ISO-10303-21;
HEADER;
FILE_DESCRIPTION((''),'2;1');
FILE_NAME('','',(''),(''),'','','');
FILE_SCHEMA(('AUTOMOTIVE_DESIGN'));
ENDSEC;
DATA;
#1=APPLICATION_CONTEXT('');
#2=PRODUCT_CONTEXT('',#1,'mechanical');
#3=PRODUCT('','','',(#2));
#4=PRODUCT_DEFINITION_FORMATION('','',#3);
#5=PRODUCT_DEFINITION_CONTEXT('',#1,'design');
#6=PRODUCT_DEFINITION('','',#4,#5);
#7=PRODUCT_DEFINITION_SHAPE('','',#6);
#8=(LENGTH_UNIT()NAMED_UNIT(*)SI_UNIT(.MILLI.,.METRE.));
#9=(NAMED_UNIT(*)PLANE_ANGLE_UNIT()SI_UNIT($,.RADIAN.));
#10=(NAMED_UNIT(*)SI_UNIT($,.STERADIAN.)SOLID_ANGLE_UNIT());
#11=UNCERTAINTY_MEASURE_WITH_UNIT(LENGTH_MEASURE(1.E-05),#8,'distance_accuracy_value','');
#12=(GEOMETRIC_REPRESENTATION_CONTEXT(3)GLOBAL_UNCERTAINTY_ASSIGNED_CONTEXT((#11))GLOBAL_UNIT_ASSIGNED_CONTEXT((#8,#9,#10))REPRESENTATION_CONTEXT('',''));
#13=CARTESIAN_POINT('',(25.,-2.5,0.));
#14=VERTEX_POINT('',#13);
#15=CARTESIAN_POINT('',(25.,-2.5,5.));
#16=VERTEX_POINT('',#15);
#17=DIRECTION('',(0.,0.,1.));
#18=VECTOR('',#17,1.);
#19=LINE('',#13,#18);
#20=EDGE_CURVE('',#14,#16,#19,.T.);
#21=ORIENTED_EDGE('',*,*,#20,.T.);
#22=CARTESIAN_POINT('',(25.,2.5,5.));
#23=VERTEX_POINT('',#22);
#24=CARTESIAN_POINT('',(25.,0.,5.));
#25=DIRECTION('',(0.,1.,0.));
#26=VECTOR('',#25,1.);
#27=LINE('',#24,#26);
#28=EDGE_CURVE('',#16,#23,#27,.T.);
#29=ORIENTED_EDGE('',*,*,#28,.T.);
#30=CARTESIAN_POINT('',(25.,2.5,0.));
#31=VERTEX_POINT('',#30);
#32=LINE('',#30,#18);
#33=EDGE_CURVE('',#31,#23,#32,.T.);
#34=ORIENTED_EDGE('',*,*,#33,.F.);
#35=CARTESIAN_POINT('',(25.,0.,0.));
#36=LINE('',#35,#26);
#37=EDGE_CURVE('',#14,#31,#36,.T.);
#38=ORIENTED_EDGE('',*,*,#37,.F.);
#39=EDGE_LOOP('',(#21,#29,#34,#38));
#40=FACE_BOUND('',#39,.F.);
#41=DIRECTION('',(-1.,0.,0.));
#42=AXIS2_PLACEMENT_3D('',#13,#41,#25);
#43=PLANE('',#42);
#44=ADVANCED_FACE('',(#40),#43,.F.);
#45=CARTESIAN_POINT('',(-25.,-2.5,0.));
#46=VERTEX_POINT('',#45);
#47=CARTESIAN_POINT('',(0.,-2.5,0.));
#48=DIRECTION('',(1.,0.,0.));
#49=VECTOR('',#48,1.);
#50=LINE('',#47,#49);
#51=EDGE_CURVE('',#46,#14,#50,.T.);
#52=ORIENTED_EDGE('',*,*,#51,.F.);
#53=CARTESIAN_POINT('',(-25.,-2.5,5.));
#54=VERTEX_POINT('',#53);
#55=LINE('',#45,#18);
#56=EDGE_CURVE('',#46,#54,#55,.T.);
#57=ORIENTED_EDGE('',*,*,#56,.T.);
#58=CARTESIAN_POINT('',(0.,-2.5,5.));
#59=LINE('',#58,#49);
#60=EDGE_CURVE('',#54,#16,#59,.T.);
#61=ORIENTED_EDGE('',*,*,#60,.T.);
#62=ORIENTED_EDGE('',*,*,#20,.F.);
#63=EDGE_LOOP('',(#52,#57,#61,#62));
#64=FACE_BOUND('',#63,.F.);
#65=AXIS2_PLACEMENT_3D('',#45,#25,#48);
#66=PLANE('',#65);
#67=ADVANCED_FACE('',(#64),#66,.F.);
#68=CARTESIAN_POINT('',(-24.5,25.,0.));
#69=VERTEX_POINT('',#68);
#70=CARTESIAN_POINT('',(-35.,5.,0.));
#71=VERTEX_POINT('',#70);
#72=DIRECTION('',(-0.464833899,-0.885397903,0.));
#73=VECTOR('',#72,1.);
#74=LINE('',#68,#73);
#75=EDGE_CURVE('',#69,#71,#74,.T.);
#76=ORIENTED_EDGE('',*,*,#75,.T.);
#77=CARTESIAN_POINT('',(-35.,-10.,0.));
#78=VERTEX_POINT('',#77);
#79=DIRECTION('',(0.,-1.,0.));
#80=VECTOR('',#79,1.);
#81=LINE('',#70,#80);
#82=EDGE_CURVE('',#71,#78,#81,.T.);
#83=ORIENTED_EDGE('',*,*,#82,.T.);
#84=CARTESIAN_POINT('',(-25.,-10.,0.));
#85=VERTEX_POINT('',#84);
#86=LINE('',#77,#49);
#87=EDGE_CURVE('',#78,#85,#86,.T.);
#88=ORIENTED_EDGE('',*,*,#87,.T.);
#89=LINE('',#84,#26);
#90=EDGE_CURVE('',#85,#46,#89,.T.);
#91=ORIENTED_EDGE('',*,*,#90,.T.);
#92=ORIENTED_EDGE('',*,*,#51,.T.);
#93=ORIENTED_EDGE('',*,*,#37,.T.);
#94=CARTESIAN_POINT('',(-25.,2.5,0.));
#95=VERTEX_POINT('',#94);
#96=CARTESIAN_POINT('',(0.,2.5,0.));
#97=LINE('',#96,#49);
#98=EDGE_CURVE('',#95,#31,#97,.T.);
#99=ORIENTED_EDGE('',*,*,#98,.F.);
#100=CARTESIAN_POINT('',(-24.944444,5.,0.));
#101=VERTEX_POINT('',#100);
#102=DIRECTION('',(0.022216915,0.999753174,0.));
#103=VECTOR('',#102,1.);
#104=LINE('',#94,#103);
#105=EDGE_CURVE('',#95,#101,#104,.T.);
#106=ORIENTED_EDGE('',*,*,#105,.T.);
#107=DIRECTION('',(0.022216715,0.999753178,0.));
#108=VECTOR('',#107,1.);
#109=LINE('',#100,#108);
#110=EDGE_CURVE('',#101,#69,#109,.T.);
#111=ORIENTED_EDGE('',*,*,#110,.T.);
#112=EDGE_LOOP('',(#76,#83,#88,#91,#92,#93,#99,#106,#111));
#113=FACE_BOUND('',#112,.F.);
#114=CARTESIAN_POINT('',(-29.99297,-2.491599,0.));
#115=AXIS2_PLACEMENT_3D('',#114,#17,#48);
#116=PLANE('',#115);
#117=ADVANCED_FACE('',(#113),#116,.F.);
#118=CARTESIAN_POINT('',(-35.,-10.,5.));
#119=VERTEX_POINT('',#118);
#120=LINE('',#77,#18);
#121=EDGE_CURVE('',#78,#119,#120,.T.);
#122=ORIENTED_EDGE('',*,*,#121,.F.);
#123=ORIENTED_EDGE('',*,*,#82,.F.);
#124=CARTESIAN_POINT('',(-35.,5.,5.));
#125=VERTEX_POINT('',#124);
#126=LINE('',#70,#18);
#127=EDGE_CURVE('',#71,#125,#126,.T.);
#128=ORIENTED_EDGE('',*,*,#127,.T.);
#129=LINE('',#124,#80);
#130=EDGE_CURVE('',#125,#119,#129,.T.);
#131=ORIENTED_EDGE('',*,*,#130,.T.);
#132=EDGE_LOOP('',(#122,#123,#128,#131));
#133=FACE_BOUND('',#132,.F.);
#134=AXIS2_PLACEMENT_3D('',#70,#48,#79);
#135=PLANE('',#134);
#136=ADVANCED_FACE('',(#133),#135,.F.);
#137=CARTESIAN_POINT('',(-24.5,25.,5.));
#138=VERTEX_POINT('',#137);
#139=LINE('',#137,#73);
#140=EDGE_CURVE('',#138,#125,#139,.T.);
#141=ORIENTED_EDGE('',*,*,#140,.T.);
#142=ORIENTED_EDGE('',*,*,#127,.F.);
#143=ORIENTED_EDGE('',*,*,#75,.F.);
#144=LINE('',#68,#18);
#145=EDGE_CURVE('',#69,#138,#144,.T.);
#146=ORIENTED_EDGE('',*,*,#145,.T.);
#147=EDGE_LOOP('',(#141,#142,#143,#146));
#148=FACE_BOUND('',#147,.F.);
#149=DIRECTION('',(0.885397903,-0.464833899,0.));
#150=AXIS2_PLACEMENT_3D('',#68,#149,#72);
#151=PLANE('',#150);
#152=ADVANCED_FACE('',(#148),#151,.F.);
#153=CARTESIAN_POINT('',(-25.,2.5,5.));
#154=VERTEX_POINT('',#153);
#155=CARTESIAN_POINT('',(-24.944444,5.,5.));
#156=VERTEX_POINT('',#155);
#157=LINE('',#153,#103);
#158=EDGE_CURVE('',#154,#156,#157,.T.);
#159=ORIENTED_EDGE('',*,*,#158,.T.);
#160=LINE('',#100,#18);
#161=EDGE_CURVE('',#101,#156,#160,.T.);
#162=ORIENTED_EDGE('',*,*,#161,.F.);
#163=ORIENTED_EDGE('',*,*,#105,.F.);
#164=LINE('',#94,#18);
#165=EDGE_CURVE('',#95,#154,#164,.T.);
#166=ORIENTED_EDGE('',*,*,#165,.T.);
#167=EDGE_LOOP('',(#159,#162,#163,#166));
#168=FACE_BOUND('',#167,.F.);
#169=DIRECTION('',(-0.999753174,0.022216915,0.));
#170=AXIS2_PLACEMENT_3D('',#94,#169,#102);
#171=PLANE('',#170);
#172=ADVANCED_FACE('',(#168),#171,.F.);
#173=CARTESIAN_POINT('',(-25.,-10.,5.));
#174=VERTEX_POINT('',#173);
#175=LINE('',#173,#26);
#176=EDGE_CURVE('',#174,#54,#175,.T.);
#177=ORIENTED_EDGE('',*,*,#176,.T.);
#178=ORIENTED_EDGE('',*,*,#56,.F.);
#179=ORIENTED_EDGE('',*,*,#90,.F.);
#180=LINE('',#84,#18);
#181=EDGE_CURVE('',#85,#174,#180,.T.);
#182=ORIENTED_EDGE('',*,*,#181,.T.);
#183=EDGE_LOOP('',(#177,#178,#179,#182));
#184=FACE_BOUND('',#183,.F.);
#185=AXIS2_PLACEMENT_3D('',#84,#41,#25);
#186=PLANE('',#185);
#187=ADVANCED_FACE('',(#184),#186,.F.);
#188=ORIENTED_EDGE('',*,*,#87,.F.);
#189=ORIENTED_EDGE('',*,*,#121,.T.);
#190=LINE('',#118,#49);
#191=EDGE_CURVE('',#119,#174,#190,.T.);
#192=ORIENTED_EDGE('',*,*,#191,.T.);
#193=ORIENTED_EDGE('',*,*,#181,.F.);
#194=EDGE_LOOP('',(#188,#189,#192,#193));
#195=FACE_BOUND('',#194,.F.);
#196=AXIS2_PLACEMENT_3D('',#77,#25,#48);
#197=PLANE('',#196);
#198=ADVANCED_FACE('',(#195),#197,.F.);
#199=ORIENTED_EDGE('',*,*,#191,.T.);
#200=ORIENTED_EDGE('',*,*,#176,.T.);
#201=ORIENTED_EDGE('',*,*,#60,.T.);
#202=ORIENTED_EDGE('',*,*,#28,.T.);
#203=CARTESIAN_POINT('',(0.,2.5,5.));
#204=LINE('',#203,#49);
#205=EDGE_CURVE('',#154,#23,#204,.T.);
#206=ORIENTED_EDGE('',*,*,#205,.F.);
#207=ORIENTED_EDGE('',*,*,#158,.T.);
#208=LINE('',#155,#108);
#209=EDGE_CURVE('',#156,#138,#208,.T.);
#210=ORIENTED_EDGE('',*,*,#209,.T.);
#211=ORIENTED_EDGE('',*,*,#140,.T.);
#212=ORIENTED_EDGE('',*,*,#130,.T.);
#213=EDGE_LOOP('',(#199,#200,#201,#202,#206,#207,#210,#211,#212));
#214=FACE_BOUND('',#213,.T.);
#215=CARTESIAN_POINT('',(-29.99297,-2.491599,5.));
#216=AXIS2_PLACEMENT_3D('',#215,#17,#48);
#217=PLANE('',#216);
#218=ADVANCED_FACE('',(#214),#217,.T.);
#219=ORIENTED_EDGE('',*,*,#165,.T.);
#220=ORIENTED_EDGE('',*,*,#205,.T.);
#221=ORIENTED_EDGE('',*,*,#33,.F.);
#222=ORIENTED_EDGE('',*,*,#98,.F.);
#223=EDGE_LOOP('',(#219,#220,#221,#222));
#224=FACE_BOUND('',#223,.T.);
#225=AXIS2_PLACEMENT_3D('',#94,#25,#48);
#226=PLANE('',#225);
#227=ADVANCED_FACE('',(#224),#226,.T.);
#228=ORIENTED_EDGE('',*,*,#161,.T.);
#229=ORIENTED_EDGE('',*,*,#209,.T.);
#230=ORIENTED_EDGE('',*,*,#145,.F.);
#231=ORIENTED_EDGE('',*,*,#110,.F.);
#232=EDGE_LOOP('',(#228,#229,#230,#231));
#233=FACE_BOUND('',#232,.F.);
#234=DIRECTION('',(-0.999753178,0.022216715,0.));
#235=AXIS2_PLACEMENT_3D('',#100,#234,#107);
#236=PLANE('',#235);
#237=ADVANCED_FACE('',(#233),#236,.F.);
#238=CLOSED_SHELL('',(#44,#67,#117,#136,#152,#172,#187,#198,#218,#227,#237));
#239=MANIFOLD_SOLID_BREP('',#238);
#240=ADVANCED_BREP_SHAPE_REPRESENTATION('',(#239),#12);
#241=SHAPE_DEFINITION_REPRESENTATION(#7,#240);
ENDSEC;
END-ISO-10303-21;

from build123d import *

# Parameters (mm, degrees)
F0_W     = 50
F0_H     = 5
F1_DEPTH = 5


with BuildPart() as f1:
    # F0 (on Top) → F1 (new body)
    with BuildSketch(Plane.XY):
        Polygon((-25, -2.5), (-25, 2.5), (-24.944444, 5), (-35, 5), (-35, -2.5), (-35, -10), (-25, -10), align=None)
        Rectangle(F0_W, F0_H)
        Polygon((-35, 5), (-24.944444, 5), (-24.5, 25), align=None)
    extrude(amount=F1_DEPTH)


solid = f1.part
